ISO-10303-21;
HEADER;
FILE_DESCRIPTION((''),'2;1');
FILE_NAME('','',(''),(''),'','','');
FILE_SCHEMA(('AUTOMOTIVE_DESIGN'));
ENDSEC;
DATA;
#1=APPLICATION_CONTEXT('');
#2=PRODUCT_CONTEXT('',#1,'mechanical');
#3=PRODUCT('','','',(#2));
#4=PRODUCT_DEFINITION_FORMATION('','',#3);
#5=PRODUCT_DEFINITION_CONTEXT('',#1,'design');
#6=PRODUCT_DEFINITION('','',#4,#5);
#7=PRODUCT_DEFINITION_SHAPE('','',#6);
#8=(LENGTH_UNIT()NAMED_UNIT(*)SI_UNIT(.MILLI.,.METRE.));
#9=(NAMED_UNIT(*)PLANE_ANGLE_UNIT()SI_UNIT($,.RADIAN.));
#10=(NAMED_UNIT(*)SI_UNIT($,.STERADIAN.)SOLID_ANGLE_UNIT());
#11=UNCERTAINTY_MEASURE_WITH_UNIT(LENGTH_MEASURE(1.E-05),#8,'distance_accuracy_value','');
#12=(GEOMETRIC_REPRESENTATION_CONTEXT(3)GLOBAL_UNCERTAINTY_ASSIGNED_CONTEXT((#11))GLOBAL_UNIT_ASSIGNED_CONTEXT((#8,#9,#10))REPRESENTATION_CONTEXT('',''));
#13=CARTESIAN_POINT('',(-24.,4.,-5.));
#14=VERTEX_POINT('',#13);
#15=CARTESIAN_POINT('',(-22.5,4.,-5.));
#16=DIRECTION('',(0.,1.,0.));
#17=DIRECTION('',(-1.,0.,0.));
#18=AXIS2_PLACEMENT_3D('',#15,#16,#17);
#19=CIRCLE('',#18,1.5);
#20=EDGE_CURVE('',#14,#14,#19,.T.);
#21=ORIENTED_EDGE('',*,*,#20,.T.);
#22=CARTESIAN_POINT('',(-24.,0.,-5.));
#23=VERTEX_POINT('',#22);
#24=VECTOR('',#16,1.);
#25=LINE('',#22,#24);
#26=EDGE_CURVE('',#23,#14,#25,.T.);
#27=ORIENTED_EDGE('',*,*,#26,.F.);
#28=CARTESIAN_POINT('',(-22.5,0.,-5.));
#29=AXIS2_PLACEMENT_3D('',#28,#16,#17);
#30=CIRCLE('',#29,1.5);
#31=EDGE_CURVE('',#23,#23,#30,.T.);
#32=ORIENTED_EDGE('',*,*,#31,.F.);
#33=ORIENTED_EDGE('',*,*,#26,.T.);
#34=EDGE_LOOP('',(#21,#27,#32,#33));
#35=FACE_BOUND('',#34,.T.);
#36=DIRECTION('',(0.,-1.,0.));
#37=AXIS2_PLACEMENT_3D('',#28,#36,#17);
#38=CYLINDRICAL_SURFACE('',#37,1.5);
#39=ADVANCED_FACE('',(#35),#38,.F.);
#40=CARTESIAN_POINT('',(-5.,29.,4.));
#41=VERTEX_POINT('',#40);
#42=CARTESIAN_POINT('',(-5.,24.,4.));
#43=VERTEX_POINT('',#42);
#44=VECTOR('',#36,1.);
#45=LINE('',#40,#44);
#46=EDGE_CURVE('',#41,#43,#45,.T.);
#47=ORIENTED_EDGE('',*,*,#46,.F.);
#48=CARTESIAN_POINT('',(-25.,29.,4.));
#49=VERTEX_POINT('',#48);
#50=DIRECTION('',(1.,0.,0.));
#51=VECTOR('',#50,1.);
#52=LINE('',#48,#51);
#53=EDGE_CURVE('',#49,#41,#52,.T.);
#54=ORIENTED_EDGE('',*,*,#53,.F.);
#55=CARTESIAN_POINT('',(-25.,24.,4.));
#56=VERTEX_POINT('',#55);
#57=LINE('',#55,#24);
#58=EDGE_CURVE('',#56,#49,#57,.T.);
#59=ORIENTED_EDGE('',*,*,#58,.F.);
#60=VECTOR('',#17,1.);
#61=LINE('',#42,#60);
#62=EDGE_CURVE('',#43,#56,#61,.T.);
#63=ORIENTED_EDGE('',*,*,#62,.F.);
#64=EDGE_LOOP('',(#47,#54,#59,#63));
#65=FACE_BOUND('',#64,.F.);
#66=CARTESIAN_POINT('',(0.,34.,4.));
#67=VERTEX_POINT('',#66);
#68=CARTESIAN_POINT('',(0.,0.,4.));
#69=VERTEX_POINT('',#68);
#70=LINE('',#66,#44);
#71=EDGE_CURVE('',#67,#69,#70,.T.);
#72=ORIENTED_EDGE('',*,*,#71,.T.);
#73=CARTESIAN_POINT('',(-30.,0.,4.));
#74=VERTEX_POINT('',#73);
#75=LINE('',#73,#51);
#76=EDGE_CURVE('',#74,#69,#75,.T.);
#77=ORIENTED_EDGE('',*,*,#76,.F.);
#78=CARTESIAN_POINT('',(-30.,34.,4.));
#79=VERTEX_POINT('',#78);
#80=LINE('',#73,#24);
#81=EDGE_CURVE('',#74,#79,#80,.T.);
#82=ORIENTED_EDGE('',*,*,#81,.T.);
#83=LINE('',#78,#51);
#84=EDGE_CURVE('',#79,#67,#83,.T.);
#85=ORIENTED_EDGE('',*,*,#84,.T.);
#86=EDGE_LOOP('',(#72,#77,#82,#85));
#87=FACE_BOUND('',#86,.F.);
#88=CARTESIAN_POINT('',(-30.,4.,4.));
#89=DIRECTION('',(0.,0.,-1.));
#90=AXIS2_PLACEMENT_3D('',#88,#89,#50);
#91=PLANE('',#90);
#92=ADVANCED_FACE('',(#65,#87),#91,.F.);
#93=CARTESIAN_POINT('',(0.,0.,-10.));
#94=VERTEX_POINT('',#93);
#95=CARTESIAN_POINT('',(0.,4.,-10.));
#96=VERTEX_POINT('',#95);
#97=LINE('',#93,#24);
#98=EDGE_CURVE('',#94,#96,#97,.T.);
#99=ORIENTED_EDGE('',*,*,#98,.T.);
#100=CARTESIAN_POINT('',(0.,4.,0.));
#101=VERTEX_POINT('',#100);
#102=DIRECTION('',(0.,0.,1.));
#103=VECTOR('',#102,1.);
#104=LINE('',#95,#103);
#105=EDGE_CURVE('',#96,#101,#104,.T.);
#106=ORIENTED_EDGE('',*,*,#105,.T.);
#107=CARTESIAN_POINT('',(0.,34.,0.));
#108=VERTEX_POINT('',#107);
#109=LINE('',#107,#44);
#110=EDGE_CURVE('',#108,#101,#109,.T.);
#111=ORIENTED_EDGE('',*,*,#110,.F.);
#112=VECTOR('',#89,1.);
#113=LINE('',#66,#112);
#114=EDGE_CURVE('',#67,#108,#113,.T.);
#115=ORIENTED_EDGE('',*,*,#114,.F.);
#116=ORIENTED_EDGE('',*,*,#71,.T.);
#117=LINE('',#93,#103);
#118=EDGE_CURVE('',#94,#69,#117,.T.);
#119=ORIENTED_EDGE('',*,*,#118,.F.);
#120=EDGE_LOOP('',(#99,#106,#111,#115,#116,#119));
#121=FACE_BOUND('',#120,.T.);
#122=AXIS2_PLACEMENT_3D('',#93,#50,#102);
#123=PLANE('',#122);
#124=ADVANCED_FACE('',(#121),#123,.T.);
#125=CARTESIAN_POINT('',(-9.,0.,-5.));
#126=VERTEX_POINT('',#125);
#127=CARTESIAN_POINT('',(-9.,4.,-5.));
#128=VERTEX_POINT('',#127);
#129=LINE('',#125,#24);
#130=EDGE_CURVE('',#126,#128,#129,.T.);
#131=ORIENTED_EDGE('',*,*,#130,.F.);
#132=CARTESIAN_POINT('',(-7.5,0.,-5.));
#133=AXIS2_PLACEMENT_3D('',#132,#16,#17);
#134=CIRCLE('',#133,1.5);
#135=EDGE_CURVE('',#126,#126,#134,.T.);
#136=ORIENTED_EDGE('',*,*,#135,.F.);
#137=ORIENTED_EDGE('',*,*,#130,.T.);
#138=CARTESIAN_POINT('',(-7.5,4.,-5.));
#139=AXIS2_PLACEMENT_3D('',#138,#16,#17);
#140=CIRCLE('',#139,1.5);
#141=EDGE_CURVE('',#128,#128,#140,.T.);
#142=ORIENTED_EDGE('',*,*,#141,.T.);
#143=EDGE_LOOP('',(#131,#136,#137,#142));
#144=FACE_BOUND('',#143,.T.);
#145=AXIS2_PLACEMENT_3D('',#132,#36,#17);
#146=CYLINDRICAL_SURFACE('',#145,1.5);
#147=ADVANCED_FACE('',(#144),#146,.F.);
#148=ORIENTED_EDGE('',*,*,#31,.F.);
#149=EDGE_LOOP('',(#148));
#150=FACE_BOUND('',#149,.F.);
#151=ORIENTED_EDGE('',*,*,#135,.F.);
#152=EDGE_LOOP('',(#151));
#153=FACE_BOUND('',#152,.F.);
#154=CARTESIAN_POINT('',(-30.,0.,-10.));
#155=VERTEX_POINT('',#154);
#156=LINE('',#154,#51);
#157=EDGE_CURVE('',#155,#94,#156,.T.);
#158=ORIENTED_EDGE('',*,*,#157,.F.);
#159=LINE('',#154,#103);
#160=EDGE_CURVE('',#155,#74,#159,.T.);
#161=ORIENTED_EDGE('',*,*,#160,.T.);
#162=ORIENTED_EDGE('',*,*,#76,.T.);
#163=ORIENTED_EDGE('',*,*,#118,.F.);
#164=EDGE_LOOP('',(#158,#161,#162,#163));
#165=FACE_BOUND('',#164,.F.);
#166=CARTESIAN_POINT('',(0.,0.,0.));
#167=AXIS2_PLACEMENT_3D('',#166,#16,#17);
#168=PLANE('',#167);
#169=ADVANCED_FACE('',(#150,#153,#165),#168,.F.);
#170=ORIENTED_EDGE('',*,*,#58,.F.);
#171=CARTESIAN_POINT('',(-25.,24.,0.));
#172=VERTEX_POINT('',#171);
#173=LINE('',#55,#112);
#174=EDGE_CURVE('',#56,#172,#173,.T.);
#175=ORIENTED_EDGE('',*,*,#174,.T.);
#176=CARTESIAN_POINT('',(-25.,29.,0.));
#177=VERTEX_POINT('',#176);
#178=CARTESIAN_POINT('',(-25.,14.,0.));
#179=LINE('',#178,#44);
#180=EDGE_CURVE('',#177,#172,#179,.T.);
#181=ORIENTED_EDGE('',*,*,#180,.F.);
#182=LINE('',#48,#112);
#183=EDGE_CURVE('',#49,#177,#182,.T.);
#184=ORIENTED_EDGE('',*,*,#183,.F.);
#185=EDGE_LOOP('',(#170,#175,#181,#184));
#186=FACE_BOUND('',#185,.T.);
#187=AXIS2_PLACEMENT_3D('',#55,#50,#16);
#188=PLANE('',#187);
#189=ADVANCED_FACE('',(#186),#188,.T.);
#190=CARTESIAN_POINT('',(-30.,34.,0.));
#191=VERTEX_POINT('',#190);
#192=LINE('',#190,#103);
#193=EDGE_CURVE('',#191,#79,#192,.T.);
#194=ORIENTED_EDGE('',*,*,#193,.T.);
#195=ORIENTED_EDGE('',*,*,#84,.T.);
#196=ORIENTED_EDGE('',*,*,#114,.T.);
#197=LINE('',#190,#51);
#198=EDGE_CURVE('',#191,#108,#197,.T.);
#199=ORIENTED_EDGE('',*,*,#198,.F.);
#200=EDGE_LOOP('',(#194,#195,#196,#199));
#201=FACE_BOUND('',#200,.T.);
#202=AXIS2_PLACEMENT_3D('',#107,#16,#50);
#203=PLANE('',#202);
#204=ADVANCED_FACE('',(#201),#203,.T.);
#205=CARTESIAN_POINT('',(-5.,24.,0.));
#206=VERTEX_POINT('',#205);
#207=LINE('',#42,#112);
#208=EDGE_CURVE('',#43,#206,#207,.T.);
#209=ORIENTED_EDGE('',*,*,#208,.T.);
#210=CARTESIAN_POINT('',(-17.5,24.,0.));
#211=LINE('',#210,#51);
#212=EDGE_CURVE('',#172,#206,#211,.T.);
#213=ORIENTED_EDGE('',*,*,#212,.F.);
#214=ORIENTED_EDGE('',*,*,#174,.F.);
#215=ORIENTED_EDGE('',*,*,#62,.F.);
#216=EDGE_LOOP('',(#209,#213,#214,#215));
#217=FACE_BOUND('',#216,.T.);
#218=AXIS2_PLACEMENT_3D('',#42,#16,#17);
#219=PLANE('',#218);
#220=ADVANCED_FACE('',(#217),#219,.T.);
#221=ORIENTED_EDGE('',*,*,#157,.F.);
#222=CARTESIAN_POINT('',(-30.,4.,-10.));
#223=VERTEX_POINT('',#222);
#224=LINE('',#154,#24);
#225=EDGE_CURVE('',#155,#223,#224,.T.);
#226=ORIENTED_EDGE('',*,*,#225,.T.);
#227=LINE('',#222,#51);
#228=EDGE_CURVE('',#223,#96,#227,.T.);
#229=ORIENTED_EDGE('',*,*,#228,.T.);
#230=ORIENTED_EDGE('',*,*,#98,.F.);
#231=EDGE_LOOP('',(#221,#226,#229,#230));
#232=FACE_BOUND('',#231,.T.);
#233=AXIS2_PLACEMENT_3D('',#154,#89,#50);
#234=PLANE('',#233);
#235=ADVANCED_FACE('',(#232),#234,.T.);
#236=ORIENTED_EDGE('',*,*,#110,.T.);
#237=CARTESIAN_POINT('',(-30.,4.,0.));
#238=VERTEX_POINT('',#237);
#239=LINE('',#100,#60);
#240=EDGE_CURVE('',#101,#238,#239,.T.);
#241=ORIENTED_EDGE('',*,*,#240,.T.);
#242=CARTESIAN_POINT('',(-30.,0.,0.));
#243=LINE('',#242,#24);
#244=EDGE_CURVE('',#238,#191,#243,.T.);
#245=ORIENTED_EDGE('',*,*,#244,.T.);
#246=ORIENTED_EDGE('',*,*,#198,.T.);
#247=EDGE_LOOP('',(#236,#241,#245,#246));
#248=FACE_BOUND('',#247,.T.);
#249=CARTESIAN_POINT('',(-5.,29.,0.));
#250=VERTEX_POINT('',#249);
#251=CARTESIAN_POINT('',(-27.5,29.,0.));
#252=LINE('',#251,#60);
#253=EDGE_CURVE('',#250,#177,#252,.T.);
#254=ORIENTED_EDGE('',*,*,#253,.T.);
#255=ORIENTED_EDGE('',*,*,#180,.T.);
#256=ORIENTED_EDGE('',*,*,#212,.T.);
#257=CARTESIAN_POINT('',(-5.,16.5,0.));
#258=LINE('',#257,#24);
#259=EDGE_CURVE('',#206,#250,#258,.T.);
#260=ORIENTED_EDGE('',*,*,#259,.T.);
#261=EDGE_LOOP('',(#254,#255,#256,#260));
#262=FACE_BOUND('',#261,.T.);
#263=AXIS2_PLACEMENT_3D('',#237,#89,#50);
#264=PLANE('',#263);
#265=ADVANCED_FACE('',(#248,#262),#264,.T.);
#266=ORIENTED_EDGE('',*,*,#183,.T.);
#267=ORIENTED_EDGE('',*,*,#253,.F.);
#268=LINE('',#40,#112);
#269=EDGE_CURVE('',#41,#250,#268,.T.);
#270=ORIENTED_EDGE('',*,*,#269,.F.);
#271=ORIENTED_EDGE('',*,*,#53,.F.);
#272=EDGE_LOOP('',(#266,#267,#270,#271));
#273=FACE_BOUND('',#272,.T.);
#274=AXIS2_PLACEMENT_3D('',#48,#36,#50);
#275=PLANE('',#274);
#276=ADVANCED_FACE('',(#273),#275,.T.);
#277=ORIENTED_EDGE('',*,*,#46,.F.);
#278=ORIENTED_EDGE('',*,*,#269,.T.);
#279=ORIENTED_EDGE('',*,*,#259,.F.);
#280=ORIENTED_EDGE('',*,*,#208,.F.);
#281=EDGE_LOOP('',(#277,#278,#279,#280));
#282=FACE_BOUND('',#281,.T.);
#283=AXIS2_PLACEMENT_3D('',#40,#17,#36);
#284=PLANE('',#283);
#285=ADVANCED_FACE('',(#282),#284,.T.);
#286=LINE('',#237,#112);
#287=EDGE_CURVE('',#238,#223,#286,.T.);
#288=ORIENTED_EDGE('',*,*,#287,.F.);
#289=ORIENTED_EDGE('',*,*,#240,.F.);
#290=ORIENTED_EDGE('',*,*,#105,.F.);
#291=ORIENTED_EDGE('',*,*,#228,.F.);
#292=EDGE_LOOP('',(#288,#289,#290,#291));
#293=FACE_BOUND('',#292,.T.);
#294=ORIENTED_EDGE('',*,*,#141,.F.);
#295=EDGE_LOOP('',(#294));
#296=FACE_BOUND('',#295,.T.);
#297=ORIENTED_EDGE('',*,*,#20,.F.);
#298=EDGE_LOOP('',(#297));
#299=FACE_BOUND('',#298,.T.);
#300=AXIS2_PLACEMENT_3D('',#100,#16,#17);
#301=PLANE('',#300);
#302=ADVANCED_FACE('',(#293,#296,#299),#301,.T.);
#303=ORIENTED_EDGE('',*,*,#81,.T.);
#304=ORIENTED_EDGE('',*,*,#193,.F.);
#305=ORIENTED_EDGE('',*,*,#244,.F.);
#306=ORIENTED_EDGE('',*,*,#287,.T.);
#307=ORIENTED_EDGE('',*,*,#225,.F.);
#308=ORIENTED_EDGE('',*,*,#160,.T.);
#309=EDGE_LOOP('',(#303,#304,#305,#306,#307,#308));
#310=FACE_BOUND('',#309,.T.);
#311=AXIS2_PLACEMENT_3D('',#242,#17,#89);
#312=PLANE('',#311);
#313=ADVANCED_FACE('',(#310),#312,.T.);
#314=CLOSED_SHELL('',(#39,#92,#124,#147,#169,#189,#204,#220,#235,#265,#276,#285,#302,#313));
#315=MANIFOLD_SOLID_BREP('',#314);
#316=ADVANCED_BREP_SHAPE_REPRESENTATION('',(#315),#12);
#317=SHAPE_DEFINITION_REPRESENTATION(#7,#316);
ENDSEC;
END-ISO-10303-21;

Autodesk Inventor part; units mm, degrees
ref_plane "YZ Plane" through (0, 0, 0) normal (1, 0, 0) x (0, 1, 0)
ref_plane "XZ Plane" through (0, 0, 0) normal (0, 1, 0) x (-1, 0, 0)
ref_plane "XY Plane" through (0, 0, 0) normal (0, 0, 1) x (1, 0, 0)
sketch "Sketch1" plane through (0, 0, 0) normal (0, 1, 0) x (-1, 0, 0)
  line L0 (0, 0) -> (30, 0)
  line L1 (30, 0) -> (30, -10)
  line L2 (30, -10) -> (0, -10)
  line L3 (0, -10) -> (0, 0)
  circle A0 centre (22.5, -5) radius 1.5
  circle A1 centre (7.5, -5) radius 1.5
  dimension "d0" = 3
  dimension "d1" = 3
  dimension "d2" = 30
  dimension "d3" = 15
  dimension "d4" = 5
  dimension "d5" = 10
  dimension "d6" = 7.5
extrude "Extrusion1" add sketch "Sketch1" along normal blind 4
sketch "Sketch2" plane through (0, 4, 0) normal (0, 1, 0) x (1, 0, 0)
  line L0 (-30, 0) -> (0, 0) projected
  line L1 (0, 0) -> (-30, 0)
  line L2 (-30, 0) -> (-30, -4)
  line L3 (-30, -4) -> (0, -4)
  line L4 (0, -4) -> (0, 0)
  point P0 (-30, 0)
  dimension "d9" = 4
extrude "Extrusion2" add sketch "Sketch2" along normal blind 30 and the other way blind 4
sketch "Sketch3" plane through (-30, 34, 4) normal (0, 0, 1) x (1, 0, 0)
  line L0 (5, -5) -> (25, -5)
  line L1 (25, -5) -> (25, -10)
  line L2 (25, -10) -> (5, -10)
  line L3 (5, -10) -> (5, -5)
  line L4 (0, -34) -> (0, 0) projected
  line L5 (0, 0) -> (30, 0) projected
  point P0 (30, -34)
  dimension "d14" = 20
  dimension "d15" = 5
  dimension "d16" = 5
  dimension "d19" = 5
extrude "Extrusion3" cut sketch "Sketch3" against normal blind 30
properties part number "BatteryMount"
